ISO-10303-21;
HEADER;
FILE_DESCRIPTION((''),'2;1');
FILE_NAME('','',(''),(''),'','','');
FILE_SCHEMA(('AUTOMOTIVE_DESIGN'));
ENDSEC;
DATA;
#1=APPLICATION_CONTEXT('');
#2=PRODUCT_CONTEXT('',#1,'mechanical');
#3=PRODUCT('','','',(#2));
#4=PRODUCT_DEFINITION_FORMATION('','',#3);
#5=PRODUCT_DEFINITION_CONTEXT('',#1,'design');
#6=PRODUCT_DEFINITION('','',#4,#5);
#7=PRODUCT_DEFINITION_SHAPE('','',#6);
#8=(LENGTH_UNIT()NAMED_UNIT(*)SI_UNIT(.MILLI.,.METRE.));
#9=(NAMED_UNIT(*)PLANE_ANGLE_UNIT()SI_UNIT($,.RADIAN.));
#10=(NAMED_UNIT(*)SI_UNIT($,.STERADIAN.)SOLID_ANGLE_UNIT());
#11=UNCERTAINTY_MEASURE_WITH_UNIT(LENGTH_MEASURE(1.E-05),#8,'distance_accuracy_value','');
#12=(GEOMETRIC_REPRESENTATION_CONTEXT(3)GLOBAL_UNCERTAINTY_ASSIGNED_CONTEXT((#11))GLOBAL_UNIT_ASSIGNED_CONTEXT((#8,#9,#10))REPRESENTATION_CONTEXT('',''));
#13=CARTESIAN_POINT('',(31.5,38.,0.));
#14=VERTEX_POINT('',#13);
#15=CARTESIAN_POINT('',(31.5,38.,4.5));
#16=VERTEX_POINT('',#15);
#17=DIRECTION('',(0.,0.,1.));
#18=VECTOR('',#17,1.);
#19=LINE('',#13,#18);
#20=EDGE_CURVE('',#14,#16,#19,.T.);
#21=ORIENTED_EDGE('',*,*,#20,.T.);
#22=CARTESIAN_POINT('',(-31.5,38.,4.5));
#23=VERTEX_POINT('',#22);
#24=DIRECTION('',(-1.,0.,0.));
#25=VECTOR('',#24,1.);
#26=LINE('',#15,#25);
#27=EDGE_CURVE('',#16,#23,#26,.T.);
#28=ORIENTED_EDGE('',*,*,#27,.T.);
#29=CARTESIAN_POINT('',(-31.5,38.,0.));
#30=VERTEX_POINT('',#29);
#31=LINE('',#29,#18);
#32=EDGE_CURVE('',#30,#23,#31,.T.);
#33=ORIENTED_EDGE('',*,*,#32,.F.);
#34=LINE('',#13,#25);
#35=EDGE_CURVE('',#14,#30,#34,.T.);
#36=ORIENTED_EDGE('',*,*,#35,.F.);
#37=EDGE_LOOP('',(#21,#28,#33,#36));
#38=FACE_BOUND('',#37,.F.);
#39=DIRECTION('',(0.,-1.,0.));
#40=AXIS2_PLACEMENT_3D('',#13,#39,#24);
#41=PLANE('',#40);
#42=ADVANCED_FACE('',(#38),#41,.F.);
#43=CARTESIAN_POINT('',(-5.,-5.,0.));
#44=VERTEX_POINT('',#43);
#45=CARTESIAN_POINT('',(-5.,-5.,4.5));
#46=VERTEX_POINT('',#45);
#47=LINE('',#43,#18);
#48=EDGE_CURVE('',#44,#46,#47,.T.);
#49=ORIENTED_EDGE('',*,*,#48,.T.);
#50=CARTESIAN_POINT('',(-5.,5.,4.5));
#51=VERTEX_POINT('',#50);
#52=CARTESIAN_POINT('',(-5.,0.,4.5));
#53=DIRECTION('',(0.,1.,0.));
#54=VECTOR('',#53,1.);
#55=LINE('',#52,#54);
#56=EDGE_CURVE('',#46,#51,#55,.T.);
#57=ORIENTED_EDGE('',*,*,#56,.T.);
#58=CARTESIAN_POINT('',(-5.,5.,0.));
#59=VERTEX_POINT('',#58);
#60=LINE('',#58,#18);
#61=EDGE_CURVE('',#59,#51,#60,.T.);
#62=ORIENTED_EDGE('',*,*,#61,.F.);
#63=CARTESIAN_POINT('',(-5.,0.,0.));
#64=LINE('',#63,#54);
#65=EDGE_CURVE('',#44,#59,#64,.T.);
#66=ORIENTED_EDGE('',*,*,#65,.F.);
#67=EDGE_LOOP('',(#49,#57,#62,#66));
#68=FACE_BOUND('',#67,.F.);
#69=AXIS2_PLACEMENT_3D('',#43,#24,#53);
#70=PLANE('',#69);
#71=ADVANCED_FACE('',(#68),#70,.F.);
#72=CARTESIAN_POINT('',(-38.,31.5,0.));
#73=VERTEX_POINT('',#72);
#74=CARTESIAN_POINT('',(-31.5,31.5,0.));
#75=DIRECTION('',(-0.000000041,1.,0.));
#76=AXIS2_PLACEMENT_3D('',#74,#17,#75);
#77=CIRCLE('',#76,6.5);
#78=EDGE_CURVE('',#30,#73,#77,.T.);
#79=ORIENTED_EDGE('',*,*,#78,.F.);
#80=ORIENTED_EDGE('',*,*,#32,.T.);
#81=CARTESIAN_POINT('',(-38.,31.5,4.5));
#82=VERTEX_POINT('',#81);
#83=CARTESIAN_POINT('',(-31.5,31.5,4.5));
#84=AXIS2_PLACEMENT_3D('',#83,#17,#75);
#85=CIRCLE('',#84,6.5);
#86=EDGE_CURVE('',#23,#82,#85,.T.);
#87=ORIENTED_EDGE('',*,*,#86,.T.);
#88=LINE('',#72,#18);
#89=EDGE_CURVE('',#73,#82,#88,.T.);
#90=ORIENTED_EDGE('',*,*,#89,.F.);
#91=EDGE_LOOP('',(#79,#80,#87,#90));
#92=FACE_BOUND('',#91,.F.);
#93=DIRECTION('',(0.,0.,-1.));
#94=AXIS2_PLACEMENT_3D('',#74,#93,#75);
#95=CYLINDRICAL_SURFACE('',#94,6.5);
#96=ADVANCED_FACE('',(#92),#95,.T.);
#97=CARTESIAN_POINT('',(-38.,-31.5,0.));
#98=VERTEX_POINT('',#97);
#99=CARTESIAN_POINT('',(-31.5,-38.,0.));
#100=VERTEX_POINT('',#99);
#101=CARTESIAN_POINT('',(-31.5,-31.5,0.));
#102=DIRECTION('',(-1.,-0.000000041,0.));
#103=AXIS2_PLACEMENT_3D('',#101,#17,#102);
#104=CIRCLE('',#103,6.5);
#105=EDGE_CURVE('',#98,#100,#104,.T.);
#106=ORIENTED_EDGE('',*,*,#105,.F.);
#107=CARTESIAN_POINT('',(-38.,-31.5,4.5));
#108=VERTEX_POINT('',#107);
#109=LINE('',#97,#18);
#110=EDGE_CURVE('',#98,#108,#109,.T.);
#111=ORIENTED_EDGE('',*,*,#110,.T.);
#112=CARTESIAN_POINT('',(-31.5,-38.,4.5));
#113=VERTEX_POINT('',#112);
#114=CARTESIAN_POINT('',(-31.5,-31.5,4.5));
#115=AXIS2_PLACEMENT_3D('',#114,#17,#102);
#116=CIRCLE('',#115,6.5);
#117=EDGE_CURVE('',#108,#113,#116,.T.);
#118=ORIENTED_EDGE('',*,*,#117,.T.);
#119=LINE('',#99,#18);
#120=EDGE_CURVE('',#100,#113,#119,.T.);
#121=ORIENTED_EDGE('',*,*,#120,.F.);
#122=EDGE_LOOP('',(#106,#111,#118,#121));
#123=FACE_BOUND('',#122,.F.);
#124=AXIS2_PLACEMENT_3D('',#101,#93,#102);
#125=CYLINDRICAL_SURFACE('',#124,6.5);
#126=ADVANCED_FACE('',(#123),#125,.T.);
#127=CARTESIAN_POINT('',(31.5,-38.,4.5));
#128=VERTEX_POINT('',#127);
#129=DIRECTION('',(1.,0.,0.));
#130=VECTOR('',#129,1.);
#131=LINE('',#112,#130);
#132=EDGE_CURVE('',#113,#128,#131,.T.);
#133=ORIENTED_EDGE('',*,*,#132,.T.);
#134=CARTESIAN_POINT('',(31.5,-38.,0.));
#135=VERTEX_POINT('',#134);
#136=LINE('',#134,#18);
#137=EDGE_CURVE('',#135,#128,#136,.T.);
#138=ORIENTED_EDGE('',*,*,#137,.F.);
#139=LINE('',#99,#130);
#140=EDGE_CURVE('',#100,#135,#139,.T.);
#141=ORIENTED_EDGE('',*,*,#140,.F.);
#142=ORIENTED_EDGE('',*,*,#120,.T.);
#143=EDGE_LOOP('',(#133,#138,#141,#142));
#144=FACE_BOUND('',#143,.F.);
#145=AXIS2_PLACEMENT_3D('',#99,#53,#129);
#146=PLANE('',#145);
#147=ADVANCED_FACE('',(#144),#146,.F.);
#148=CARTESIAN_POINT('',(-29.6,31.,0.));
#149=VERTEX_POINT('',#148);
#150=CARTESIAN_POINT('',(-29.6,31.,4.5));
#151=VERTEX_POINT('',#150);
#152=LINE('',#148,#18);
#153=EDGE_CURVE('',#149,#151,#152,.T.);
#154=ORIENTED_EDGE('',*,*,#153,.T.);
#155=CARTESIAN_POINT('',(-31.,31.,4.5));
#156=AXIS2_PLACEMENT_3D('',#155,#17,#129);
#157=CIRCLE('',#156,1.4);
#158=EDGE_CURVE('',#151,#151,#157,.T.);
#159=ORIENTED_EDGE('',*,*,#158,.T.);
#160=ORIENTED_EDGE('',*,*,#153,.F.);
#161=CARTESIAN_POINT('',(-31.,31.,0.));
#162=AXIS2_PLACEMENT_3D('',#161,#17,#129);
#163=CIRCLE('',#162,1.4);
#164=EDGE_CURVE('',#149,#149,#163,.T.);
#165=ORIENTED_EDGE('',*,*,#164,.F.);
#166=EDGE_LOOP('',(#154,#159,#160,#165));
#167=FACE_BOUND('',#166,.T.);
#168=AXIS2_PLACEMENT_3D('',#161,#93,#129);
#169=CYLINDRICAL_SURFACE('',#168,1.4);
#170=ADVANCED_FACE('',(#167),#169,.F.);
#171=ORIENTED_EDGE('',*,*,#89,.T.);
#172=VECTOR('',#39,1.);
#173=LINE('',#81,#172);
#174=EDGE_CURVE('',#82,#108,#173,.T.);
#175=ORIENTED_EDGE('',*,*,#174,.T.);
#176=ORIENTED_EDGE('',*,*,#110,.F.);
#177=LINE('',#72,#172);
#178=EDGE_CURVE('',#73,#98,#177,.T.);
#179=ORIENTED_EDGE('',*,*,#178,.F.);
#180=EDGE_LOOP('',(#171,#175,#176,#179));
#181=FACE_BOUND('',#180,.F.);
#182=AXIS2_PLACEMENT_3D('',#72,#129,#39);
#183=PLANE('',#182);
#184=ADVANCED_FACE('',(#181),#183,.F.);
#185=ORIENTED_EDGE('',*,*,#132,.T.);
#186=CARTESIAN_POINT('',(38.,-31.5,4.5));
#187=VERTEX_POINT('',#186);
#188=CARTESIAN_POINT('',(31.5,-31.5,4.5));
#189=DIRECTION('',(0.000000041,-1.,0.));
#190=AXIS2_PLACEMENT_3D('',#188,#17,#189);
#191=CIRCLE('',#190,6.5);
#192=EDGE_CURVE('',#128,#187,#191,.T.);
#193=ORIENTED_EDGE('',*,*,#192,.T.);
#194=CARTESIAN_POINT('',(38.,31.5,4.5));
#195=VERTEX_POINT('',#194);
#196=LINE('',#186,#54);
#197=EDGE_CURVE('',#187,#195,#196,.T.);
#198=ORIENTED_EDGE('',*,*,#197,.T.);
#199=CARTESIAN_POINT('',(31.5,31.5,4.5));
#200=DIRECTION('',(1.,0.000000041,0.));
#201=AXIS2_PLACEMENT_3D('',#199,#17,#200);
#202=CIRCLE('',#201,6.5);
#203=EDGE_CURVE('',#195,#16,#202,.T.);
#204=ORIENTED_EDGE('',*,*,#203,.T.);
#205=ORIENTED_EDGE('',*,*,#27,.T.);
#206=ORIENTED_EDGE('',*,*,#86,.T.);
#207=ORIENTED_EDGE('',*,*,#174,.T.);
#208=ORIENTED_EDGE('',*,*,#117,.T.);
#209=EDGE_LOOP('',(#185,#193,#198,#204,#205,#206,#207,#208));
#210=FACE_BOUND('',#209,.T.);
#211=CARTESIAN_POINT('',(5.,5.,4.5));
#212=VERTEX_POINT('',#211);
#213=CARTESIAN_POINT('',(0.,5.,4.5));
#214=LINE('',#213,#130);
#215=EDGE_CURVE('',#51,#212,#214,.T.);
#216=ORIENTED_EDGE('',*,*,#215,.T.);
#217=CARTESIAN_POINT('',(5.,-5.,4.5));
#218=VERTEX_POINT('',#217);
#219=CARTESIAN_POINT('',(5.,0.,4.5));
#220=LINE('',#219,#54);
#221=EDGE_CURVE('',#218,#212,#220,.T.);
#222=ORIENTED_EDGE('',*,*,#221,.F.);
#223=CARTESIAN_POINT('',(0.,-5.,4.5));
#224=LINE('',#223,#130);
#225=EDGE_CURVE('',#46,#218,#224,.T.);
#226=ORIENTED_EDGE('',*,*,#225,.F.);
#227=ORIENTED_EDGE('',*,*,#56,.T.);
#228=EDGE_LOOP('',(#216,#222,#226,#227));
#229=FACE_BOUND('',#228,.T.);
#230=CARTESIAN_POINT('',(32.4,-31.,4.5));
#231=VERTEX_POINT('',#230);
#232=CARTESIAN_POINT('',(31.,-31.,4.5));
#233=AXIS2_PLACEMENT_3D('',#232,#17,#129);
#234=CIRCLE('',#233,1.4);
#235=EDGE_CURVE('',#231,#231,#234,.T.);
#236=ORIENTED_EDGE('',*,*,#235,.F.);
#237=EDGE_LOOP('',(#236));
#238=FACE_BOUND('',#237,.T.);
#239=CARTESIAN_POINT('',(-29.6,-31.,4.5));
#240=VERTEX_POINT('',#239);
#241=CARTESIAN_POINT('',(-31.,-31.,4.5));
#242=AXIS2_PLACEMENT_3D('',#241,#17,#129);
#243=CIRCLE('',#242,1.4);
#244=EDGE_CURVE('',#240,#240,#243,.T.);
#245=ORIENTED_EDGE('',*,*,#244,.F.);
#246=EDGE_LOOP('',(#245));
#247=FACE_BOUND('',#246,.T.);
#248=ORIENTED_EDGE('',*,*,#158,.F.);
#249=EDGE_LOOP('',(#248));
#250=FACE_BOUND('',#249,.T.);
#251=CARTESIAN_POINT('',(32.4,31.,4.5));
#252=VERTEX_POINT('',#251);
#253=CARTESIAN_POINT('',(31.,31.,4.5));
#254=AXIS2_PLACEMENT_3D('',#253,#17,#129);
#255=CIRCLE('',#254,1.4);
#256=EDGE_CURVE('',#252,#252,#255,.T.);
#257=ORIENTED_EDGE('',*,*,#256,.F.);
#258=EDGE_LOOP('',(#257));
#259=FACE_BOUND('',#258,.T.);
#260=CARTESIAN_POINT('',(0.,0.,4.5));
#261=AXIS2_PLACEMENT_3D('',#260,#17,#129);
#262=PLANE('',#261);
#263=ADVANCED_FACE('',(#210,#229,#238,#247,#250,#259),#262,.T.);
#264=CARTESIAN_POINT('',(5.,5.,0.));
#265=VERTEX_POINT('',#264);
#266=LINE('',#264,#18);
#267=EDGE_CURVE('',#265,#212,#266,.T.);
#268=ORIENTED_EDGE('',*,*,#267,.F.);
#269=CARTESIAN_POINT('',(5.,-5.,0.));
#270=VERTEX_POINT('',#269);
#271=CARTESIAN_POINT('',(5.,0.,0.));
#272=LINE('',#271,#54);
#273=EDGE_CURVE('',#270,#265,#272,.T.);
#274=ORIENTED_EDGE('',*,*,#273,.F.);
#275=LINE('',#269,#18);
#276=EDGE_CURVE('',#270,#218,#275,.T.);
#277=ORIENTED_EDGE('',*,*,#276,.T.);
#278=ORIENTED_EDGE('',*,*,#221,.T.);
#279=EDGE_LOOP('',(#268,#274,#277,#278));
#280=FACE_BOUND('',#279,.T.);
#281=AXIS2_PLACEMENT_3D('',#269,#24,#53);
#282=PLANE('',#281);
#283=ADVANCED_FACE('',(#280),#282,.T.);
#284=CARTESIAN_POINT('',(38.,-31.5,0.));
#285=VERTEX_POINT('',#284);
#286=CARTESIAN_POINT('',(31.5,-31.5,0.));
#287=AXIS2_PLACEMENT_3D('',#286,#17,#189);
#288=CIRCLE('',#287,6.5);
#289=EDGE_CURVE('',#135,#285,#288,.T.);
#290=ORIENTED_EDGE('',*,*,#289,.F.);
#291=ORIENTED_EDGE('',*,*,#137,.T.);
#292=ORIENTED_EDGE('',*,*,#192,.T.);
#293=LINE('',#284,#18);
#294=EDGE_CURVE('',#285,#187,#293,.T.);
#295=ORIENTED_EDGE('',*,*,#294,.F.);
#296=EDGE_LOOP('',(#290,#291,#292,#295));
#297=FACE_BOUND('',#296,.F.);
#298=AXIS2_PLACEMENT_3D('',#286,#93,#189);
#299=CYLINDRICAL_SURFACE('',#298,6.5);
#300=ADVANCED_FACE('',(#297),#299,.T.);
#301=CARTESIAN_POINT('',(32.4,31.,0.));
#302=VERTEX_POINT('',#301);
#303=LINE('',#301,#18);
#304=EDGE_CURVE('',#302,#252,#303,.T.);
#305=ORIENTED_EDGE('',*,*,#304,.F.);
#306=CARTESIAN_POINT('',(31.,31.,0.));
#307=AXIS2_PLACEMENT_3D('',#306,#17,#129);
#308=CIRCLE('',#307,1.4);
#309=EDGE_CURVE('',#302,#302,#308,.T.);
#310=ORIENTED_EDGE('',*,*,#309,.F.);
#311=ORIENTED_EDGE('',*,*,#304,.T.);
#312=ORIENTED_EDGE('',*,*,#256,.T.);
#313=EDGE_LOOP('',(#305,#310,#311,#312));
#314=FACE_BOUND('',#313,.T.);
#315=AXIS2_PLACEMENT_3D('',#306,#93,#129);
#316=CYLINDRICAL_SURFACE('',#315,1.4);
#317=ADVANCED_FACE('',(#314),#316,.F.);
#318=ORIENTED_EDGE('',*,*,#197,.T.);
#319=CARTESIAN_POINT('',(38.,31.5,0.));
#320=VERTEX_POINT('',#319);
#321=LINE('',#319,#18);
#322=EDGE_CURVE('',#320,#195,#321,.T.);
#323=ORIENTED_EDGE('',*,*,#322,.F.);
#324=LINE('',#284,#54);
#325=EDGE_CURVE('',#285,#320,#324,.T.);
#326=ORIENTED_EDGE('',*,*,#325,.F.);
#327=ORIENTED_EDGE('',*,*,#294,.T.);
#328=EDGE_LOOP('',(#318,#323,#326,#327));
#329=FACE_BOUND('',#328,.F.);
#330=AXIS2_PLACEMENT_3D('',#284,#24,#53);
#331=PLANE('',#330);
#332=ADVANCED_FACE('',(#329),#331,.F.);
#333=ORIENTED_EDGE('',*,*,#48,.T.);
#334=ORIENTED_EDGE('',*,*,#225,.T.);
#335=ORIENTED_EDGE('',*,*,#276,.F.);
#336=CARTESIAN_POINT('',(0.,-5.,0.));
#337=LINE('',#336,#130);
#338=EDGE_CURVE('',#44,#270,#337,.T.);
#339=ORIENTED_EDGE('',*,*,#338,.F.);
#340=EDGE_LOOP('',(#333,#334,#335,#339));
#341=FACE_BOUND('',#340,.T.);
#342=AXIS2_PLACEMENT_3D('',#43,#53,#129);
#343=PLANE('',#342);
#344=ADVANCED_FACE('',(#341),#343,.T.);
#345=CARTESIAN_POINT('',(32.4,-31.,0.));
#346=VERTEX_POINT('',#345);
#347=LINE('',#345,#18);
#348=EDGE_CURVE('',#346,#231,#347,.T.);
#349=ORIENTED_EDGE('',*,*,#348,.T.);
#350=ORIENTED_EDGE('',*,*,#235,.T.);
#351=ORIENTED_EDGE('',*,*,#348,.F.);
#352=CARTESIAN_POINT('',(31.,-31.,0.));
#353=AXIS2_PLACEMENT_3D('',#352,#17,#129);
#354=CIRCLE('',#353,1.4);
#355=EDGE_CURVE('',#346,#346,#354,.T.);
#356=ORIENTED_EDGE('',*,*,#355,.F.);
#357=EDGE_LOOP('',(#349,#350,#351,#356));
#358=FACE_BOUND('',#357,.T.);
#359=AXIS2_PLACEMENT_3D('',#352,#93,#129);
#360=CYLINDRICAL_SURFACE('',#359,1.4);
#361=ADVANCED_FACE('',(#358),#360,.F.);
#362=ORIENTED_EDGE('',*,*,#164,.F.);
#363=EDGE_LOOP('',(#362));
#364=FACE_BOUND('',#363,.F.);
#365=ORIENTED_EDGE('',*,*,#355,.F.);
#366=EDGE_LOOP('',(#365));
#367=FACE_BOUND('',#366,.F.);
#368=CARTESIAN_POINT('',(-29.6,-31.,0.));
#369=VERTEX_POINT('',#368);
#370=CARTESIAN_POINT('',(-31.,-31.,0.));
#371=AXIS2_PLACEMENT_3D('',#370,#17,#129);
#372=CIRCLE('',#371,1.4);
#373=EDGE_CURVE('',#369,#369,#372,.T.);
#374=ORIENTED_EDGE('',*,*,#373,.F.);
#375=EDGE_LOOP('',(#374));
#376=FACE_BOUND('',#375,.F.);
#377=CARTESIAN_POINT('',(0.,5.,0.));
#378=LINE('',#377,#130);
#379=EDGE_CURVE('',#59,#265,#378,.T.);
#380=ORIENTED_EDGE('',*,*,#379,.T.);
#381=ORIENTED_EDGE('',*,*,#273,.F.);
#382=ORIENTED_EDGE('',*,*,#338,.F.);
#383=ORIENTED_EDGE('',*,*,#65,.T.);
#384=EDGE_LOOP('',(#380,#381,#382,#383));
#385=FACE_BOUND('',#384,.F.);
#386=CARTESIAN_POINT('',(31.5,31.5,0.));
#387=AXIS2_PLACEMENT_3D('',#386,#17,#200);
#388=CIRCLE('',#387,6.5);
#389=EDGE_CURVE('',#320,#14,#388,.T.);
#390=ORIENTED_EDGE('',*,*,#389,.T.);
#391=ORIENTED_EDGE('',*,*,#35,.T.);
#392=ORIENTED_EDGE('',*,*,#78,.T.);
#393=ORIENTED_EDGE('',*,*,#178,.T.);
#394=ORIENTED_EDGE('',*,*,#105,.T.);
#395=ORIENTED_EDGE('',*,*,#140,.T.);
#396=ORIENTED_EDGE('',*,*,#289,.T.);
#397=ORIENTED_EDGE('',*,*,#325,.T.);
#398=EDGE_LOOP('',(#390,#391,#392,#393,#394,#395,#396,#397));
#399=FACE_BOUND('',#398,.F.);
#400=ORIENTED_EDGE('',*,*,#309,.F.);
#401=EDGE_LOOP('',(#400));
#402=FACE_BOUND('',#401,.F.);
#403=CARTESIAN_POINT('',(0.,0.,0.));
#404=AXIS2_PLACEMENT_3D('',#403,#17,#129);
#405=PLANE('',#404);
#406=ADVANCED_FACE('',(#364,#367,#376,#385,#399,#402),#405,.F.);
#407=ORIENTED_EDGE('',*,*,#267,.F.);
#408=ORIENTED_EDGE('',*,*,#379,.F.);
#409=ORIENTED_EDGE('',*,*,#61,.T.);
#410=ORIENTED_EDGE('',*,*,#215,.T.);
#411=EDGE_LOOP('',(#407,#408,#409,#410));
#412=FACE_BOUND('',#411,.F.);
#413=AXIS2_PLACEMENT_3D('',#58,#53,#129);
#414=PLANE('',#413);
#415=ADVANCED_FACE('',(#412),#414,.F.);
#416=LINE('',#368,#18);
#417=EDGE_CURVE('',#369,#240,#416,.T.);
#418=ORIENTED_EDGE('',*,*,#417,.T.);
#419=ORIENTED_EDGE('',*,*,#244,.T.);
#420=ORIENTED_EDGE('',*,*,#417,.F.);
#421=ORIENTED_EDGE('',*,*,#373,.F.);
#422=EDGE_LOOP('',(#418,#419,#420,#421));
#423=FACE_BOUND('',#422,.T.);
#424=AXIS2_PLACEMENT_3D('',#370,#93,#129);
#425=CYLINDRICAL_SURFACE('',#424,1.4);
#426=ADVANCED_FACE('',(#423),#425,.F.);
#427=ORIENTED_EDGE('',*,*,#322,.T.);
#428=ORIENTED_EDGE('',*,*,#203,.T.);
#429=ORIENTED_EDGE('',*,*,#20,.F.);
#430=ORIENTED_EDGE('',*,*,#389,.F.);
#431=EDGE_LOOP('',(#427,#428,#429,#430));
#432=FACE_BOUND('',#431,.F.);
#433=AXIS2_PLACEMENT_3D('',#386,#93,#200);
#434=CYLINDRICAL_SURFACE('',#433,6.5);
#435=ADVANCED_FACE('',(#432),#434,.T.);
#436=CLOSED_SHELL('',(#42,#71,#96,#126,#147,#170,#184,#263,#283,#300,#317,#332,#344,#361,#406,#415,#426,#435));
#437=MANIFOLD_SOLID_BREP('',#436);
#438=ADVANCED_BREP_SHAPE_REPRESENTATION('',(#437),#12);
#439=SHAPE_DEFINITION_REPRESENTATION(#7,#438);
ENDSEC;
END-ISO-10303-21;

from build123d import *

# Parameters (mm, degrees)
F0_R     = 1.4
F0_W     = 10
F0_H     = 10
F1_DEPTH = 4.5


with BuildPart() as f1:
    # F0 (on Top) → F1 (new body)
    with BuildSketch(Plane.XY):
        with BuildLine():
            Line((-31.5, -38), (31.5, -38))
            ThreePointArc((31.5, -38), (36.096194, -36.096194), (38, -31.5))
            Line((38, -31.5), (38, 31.5))
            ThreePointArc((38, 31.5), (36.096194, 36.096194), (31.5, 38))
            Line((31.5, 38), (-31.5, 38))
            ThreePointArc((-31.5, 38), (-36.096194, 36.096194), (-38, 31.5))
            Line((-38, 31.5), (-38, -31.5))
            ThreePointArc((-38, -31.5), (-36.096194, -36.096194), (-31.5, -38))
        make_face()
        with Locations((-31, -31)):
            Circle(F0_R, mode=Mode.SUBTRACT)
        with Locations((31, -31)):
            Circle(F0_R, mode=Mode.SUBTRACT)
        with Locations((-31, 31)):
            Circle(F0_R, mode=Mode.SUBTRACT)
        Rectangle(F0_W, F0_H, mode=Mode.SUBTRACT)
        with Locations((31, 31)):
            Circle(F0_R, mode=Mode.SUBTRACT)
    extrude(amount=F1_DEPTH)


solid = f1.part
